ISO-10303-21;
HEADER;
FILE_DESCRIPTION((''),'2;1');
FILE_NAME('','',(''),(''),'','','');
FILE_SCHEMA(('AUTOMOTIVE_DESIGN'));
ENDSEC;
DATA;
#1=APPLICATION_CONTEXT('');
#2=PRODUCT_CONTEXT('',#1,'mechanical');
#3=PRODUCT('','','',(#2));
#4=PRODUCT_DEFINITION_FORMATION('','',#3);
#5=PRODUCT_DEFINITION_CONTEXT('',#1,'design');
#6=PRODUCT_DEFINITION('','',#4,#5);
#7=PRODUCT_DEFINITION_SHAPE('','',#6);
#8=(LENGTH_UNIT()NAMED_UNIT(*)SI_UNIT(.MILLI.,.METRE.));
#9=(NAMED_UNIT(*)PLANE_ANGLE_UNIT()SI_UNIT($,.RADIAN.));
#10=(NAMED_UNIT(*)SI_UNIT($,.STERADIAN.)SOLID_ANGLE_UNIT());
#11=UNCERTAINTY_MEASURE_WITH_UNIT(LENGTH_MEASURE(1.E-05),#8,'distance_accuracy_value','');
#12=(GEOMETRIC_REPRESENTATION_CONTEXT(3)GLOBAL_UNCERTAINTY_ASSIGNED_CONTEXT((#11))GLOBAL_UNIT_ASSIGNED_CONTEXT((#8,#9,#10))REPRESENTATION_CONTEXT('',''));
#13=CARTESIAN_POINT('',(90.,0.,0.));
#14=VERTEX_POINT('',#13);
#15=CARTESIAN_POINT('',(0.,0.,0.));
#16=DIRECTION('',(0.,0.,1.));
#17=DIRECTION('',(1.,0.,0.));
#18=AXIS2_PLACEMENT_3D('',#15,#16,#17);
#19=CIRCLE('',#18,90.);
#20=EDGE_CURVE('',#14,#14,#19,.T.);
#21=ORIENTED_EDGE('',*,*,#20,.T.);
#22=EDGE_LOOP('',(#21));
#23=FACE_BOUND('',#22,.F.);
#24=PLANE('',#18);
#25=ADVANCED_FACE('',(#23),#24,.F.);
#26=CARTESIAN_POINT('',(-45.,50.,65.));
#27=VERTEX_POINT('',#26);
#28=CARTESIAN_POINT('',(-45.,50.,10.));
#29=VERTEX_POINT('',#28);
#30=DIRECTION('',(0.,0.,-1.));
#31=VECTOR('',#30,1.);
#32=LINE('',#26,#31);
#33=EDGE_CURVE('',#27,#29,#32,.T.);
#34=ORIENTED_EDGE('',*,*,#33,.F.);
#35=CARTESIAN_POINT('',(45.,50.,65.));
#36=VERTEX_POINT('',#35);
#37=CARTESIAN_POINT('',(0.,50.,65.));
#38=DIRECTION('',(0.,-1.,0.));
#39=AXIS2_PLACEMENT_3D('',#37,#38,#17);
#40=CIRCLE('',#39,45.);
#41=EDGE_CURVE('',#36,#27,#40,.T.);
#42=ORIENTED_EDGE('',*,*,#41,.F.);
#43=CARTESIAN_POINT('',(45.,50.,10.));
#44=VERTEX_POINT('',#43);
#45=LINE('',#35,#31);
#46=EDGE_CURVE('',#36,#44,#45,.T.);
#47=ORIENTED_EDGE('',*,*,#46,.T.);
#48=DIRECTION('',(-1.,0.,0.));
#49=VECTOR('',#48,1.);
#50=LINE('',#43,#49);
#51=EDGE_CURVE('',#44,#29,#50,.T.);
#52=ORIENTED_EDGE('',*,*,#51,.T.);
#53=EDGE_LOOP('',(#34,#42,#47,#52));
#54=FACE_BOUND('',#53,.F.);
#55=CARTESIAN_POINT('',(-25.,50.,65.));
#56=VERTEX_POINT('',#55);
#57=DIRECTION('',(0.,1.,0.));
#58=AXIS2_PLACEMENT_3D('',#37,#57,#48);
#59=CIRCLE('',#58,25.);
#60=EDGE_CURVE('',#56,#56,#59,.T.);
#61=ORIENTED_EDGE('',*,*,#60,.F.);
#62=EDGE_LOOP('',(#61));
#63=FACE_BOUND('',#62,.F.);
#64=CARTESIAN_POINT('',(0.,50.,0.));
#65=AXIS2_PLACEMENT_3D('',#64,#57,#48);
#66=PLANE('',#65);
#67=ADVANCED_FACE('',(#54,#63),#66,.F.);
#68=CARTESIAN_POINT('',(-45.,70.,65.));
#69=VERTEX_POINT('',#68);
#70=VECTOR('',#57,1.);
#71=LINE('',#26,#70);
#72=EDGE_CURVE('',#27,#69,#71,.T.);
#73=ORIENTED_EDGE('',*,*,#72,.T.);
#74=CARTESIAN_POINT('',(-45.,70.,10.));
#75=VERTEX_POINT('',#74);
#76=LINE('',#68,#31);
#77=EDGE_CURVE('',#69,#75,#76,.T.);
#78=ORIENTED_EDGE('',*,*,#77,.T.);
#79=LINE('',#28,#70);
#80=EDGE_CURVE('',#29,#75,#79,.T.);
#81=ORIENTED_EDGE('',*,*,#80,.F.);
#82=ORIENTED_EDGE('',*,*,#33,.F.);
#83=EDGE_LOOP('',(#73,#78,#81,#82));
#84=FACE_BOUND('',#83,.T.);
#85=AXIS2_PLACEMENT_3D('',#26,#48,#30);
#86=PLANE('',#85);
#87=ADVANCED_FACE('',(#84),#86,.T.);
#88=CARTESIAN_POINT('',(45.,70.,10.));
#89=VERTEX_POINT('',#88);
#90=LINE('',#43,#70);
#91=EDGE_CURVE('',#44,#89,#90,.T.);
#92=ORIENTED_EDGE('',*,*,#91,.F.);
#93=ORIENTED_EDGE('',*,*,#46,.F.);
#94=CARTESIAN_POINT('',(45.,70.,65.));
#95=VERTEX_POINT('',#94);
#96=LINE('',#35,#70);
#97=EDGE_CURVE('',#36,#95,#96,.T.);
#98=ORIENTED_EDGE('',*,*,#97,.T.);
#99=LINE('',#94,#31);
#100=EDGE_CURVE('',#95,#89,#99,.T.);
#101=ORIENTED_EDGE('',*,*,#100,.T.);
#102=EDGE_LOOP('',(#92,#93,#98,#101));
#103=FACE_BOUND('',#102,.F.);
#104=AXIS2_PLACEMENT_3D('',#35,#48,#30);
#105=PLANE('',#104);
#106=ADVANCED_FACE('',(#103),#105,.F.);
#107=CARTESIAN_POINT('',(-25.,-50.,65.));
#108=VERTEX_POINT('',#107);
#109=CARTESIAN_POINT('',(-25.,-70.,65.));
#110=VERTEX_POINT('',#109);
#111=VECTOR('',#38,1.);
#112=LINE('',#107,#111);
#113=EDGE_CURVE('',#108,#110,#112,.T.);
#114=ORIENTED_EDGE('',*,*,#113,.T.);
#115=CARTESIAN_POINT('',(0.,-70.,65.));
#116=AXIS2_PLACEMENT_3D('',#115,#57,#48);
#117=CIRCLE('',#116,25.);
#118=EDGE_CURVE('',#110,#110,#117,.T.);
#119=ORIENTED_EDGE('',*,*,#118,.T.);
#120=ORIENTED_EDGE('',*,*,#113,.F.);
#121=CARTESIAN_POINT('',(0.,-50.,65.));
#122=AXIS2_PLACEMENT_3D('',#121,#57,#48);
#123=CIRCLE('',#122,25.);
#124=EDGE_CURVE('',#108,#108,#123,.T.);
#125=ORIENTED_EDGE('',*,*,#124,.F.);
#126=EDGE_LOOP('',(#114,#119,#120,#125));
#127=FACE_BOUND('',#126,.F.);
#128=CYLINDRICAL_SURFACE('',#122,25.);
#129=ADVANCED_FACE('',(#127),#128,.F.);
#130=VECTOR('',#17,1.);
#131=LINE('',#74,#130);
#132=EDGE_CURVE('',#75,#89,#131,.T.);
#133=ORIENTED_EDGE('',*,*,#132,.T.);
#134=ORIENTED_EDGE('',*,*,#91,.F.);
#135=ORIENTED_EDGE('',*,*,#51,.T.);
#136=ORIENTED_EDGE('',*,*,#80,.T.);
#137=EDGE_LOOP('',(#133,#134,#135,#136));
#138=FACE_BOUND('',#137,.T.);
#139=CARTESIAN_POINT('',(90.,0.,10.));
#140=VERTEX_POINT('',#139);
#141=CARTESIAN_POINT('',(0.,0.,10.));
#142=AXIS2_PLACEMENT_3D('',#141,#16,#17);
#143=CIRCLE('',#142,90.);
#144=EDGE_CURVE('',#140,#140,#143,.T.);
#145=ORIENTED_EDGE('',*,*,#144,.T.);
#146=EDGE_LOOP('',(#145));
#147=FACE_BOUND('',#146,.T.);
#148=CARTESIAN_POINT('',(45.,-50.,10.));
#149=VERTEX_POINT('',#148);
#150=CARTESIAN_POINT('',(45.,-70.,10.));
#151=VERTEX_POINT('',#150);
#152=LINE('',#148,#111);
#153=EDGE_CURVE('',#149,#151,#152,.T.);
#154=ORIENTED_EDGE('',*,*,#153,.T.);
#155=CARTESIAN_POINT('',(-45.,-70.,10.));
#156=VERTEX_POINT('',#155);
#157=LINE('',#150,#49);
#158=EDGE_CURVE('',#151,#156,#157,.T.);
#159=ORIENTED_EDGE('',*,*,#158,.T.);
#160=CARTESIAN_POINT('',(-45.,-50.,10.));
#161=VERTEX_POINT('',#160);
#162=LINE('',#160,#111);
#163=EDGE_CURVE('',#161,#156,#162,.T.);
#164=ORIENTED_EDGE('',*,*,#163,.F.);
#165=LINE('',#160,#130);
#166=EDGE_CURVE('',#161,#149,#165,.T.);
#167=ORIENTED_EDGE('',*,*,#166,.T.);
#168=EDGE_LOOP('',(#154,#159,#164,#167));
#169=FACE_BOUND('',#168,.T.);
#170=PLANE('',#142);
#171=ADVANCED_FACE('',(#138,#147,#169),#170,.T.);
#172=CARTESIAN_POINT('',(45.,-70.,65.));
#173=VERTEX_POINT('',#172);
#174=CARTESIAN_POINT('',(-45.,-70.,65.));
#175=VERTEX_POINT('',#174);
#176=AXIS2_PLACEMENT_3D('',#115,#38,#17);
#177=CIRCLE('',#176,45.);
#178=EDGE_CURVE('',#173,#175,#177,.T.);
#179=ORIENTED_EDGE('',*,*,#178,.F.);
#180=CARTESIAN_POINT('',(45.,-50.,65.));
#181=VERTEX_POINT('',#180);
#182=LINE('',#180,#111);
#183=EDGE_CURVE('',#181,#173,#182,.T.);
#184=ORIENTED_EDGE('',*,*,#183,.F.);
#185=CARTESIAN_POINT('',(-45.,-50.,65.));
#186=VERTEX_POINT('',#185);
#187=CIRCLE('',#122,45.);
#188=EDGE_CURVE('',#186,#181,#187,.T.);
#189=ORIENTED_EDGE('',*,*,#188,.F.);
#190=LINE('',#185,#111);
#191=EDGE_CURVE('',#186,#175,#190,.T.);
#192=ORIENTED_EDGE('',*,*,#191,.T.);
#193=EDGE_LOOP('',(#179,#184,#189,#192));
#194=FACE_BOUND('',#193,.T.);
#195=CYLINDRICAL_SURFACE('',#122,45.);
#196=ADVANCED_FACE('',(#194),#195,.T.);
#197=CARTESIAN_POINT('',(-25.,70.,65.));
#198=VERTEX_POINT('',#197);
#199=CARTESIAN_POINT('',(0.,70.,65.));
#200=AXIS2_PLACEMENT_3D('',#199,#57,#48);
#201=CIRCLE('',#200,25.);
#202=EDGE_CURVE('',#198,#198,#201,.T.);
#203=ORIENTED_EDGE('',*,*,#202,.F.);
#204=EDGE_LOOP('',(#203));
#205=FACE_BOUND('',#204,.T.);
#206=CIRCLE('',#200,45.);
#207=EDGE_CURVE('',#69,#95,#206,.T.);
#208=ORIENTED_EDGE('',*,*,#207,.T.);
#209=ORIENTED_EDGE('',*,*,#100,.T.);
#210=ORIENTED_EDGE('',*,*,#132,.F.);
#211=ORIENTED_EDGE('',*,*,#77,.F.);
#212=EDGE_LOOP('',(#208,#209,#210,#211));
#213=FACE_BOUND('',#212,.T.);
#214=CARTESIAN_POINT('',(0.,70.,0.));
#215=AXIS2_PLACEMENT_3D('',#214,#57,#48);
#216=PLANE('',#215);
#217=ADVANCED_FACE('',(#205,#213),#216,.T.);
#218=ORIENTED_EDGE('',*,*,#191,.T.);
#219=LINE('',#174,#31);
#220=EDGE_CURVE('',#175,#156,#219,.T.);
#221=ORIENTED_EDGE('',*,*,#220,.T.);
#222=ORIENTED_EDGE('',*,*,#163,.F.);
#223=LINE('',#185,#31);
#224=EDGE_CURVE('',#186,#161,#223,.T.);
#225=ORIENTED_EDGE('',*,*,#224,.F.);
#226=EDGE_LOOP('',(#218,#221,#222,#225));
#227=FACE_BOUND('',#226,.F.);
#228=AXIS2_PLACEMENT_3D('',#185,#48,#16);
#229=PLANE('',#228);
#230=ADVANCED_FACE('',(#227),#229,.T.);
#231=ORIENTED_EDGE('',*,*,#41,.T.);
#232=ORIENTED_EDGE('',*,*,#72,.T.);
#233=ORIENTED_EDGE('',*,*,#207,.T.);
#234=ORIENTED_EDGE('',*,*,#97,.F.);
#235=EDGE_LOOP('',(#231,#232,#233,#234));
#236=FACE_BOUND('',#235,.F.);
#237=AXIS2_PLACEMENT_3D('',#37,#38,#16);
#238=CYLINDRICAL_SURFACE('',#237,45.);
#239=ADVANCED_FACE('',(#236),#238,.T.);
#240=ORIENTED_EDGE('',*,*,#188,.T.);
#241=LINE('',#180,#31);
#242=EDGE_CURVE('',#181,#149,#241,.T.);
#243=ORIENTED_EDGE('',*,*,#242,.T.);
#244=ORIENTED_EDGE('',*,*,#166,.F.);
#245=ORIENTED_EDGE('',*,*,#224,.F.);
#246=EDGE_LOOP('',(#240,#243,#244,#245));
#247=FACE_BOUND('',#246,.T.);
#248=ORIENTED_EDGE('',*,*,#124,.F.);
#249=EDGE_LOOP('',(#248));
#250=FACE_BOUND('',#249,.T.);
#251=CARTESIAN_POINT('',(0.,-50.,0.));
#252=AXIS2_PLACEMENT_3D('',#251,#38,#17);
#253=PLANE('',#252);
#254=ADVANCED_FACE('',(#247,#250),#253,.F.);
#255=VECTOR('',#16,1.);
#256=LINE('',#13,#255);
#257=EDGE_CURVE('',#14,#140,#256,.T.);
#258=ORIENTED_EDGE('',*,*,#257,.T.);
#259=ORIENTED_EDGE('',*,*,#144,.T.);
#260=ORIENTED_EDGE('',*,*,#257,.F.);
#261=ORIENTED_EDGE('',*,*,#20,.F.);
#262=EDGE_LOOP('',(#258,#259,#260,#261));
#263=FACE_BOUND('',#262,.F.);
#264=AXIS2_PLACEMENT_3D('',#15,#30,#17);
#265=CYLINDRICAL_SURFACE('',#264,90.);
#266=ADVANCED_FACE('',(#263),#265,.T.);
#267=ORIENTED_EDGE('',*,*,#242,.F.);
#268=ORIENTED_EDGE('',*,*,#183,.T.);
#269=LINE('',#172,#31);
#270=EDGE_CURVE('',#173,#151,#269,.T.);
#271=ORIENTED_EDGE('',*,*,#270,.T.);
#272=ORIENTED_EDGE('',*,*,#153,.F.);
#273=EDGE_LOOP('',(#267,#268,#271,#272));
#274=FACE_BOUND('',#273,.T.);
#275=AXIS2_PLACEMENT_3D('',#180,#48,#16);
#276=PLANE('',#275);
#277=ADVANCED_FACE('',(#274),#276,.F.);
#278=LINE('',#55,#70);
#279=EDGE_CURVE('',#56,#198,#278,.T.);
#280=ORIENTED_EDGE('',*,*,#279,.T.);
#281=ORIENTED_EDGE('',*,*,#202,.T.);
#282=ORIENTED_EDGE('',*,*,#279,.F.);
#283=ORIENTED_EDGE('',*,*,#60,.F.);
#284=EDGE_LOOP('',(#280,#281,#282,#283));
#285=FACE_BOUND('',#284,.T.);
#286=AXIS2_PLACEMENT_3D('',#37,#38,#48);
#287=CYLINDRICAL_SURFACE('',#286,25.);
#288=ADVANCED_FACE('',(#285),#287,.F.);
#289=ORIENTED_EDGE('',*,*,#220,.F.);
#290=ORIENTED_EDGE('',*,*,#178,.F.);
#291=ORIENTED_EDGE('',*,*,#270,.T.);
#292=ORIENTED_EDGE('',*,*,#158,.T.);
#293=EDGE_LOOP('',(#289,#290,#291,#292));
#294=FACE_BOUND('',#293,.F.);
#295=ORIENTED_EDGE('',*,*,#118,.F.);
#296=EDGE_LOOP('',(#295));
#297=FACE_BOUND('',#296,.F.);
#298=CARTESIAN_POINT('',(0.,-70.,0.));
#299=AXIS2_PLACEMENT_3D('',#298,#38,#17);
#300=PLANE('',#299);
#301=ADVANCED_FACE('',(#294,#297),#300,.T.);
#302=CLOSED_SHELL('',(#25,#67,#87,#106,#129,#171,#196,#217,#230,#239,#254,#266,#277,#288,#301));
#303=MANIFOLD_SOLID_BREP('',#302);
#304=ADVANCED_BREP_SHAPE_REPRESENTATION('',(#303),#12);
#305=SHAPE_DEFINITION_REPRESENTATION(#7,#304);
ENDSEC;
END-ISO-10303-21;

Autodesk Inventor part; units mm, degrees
ref_plane "YZ Plane" through (0, 0, 0) normal (1, 0, 0) x (0, 1, 0)
ref_plane "XY Plane" through (0, 0, 0) normal (0, 0, 1) x (1, 0, 0)
sketch "Sketch1" plane through (0, 0, 0) normal (0, 0, 1) x (1, 0, 0)
  circle A0 centre (0, 0) radius 90
  dimension "d0" = 180
extrude "Extrusion1" add sketch "Sketch1" along normal blind 10
ref_plane "Work Plane1" through (0, 50, 0) normal (0, 1, 0) x (-1, 0, 0)
sketch "Sketch2" plane through (0, 50, 0) normal (0, 1, 0) x (-1, 0, 0)
  line L0 (90, 10) -> (-90, 10) projected
  line L1 (0, 10) -> (0, 110) construction
  arc A0 (45, 65) -> (0, 110) centre (0, 65) ccw
  line L2 (45, 65) -> (45, 10)
  line L3 (45, 10) -> (0, 10)
  arc A1 (0, 110) -> (-45, 65) centre (0, 65) ccw
  line L4 (-45, 65) -> (-45, 10)
  line L5 (-45, 10) -> (0, 10)
  circle A2 centre (0, 65) radius 25
  point P0 (0, 0)
  dimension "d4" = 45
  dimension "d5" = 100
  dimension "d6" = 50
extrude "Extrusion2" add sketch "Sketch2" along normal blind 20
mirror "Mirror1" about plane through (0, 0, 0) normal (0, 1, 0) of "Extrusion2"
properties part number "Platform"
